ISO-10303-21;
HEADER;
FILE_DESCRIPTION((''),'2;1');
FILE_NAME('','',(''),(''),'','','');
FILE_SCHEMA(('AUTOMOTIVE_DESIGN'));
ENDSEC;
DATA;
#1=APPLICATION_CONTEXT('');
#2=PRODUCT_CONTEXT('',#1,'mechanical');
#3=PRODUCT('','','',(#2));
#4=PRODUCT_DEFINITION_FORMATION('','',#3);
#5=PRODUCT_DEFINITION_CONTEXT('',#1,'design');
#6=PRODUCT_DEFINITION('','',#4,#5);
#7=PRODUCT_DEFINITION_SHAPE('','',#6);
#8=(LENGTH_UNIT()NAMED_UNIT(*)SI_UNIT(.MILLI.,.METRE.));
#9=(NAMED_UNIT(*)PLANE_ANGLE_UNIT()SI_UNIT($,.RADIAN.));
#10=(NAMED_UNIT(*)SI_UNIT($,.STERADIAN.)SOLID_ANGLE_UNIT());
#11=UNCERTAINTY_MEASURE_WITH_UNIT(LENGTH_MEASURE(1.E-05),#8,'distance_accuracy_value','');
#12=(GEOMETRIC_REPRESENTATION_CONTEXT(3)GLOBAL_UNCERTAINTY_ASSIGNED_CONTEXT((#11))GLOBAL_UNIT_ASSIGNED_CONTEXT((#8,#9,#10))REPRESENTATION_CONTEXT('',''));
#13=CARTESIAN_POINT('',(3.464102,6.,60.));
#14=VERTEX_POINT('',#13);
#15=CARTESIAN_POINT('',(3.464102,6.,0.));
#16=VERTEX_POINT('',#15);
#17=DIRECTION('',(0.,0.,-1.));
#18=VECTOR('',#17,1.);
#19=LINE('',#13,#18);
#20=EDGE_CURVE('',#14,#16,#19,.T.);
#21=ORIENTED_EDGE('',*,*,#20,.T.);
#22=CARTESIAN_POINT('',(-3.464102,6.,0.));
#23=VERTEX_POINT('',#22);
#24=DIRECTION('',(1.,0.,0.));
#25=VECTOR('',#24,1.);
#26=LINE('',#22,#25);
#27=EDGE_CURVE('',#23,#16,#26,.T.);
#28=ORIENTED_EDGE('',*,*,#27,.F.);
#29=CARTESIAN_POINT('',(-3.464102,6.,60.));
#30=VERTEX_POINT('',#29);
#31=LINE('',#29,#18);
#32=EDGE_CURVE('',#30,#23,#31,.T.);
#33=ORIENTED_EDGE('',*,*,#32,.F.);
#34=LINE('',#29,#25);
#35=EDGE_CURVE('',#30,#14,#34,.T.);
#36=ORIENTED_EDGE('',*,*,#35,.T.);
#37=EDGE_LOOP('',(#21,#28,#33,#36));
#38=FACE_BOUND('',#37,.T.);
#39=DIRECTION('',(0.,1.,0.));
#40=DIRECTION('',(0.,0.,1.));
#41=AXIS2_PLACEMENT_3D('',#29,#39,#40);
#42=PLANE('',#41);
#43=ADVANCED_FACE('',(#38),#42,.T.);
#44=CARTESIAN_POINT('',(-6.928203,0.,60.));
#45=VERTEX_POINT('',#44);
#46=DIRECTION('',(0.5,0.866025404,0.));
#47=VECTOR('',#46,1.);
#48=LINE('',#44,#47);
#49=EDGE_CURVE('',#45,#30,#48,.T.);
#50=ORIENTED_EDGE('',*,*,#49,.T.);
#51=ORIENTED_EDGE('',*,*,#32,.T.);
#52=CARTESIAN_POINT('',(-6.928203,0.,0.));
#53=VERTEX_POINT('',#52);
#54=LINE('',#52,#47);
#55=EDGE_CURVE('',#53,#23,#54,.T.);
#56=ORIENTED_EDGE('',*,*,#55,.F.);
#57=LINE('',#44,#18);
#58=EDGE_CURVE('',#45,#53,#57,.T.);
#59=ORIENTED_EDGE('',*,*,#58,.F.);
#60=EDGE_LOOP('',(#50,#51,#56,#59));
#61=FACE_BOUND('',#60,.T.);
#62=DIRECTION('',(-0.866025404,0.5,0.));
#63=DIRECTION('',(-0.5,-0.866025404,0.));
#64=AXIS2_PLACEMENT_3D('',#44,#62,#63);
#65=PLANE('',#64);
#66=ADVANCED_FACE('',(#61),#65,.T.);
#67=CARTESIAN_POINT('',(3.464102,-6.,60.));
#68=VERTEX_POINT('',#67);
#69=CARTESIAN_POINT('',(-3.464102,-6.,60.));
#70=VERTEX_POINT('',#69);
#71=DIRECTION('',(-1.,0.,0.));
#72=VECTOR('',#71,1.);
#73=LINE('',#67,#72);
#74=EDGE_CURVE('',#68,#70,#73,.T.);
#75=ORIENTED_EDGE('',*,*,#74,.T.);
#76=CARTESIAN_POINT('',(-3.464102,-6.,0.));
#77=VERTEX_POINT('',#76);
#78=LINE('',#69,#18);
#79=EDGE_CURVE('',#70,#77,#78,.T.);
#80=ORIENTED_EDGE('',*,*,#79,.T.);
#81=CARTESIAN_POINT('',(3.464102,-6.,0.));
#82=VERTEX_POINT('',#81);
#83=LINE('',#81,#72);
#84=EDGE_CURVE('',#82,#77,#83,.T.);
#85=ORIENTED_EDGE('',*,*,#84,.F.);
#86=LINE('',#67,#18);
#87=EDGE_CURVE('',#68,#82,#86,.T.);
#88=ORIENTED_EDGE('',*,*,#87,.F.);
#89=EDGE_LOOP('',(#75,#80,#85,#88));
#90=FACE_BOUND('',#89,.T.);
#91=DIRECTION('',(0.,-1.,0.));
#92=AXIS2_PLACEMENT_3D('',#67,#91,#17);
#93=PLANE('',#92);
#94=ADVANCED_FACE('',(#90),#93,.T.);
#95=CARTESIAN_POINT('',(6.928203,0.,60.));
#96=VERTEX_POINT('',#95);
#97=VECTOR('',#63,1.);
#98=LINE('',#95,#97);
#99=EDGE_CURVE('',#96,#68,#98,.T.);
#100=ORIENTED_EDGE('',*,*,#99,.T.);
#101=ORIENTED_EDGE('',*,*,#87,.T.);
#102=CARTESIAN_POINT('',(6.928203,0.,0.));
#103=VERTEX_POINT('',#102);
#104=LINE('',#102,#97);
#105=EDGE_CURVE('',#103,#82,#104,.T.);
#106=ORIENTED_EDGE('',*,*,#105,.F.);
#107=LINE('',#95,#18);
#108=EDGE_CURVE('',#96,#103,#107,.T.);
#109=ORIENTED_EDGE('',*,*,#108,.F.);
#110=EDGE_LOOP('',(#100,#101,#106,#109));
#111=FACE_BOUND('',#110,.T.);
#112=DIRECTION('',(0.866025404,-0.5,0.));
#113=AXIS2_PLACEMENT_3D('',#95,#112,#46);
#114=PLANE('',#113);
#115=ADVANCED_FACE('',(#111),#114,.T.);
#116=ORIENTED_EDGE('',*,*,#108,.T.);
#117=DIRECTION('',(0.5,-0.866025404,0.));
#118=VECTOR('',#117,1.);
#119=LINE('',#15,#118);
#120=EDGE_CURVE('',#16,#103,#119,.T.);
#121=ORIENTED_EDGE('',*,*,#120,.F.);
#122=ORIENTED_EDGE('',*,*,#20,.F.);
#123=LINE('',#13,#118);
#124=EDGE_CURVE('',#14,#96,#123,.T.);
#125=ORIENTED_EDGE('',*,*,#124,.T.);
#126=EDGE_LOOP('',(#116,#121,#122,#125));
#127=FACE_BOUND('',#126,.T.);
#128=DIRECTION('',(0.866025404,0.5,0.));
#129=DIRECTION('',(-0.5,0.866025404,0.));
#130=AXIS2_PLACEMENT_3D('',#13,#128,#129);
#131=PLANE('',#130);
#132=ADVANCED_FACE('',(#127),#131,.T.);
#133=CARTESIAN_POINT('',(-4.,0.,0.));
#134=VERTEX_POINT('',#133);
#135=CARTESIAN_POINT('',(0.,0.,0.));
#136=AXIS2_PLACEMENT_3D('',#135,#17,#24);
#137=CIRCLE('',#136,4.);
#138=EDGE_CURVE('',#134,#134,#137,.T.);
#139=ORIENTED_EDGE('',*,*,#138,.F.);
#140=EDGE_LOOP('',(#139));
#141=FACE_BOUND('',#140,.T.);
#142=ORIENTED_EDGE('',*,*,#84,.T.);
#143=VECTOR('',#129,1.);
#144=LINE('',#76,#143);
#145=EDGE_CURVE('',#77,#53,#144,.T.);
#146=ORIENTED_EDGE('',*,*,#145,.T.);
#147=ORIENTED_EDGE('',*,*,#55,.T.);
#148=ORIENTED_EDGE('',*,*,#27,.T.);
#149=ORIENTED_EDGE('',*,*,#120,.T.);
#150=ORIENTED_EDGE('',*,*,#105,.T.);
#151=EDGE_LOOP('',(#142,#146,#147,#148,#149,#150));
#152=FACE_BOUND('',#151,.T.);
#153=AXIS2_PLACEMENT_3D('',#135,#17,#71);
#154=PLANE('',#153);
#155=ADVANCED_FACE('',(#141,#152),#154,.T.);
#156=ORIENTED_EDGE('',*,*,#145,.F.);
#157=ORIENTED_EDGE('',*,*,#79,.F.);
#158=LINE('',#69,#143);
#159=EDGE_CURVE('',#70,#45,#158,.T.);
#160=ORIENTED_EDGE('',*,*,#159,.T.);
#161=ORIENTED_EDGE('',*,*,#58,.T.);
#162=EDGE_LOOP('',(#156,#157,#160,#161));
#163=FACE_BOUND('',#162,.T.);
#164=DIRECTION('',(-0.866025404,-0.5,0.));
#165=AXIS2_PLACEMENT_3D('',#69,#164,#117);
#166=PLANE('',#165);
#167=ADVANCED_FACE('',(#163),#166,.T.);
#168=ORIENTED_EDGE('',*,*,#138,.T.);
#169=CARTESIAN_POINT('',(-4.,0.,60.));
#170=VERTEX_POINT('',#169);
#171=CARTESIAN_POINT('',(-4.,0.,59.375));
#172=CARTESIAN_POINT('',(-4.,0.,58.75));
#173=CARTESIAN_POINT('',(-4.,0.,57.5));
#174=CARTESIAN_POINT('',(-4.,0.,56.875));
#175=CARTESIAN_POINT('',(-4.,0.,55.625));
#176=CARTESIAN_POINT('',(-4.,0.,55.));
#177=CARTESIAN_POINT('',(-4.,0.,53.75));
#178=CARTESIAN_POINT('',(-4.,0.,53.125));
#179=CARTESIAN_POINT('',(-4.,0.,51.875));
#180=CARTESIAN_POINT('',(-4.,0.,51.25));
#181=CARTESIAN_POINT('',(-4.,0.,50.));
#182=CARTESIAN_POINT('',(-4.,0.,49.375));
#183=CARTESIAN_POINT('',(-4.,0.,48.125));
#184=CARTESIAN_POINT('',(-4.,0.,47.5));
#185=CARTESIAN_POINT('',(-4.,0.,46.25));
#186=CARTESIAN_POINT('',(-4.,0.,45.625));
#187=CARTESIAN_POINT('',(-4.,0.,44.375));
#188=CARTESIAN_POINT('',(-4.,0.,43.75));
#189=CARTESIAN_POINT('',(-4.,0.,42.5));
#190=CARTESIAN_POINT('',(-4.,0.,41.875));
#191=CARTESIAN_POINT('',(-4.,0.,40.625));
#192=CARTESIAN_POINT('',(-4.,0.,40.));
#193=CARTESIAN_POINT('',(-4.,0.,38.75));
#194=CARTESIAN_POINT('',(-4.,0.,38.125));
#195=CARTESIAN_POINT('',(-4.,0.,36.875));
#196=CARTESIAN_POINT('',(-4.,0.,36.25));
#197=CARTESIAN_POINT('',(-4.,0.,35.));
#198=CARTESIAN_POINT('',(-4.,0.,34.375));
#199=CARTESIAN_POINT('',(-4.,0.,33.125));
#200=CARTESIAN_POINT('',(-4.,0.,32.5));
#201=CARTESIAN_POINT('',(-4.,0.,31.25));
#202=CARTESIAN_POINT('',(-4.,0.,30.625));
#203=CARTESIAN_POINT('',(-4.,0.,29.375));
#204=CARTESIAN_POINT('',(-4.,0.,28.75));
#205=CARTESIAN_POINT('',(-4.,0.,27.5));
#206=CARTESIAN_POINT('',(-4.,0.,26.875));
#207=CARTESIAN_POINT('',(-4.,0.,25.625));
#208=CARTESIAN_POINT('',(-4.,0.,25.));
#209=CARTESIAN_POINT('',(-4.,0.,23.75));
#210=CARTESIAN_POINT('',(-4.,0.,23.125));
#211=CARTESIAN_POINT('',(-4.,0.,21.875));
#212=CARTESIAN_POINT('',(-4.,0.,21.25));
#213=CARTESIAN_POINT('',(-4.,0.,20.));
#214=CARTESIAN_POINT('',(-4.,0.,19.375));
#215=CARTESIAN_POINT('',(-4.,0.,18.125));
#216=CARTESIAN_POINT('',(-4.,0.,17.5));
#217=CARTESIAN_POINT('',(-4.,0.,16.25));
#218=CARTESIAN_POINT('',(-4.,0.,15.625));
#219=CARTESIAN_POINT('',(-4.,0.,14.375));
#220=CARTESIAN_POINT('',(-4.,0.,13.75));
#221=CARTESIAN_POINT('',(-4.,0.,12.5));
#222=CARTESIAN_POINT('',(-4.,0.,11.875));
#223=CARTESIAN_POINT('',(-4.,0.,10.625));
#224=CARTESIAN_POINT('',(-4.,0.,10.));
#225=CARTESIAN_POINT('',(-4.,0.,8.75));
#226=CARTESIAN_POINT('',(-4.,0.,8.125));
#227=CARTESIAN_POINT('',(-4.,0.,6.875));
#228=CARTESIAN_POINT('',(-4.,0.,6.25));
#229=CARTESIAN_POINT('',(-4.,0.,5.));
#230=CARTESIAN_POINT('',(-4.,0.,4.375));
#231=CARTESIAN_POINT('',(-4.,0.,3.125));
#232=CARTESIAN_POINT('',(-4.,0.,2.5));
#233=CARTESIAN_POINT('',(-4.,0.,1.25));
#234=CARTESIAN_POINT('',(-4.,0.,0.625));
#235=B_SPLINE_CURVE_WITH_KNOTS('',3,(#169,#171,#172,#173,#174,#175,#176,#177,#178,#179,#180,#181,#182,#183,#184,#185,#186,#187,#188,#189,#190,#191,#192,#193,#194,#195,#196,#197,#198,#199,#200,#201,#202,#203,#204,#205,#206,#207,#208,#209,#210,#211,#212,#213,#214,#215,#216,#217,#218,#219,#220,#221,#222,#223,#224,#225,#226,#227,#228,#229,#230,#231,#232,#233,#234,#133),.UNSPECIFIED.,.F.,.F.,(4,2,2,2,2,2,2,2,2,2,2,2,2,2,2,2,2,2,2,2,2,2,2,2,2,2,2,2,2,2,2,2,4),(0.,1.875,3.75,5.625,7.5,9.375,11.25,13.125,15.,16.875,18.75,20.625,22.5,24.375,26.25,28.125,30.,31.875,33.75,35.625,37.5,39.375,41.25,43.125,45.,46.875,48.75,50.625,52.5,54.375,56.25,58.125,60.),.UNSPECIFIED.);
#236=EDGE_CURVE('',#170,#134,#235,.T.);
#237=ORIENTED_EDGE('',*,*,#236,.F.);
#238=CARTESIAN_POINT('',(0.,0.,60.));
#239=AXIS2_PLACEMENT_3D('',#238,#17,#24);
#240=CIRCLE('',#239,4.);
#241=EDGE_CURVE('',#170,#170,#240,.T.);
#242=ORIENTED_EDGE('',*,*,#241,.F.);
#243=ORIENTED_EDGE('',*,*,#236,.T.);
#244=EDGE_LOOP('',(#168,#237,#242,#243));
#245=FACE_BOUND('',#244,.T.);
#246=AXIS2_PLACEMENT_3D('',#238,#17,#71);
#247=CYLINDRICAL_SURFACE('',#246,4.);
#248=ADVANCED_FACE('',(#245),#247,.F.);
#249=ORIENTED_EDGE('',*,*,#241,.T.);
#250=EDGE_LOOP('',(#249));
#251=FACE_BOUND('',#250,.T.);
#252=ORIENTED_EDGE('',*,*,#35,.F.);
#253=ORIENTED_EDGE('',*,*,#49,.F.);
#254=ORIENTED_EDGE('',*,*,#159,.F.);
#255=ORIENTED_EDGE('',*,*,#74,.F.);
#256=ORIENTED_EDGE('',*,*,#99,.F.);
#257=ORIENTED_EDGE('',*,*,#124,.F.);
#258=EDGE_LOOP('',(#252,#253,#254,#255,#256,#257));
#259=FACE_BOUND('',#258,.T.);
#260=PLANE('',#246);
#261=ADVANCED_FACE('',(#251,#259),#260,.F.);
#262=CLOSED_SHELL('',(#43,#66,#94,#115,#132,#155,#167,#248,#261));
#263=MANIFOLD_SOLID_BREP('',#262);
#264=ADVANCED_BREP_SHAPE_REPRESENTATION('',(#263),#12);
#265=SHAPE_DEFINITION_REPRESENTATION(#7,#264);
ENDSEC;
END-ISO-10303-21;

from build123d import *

# Parameters (mm, degrees)
SKETCH_1_R      = 4
EXTRUDE_1_DEPTH = 60


with BuildPart() as part:
    # 草图1 → 凸台-拉伸1 (new body)
    with BuildSketch(Plane(origin=(0, 0, 0), x_dir=(-1, 0, 0), z_dir=(0, 0, -1))):
        Polygon((3.464101615, -6), (6.92820323, 0), (3.464101615, 6), (-3.464101615, 6), (-6.92820323, 0), (-3.464101615, -6), align=None)
        Circle(SKETCH_1_R, mode=Mode.SUBTRACT)
    extrude(amount=-EXTRUDE_1_DEPTH)


solid = part.part
